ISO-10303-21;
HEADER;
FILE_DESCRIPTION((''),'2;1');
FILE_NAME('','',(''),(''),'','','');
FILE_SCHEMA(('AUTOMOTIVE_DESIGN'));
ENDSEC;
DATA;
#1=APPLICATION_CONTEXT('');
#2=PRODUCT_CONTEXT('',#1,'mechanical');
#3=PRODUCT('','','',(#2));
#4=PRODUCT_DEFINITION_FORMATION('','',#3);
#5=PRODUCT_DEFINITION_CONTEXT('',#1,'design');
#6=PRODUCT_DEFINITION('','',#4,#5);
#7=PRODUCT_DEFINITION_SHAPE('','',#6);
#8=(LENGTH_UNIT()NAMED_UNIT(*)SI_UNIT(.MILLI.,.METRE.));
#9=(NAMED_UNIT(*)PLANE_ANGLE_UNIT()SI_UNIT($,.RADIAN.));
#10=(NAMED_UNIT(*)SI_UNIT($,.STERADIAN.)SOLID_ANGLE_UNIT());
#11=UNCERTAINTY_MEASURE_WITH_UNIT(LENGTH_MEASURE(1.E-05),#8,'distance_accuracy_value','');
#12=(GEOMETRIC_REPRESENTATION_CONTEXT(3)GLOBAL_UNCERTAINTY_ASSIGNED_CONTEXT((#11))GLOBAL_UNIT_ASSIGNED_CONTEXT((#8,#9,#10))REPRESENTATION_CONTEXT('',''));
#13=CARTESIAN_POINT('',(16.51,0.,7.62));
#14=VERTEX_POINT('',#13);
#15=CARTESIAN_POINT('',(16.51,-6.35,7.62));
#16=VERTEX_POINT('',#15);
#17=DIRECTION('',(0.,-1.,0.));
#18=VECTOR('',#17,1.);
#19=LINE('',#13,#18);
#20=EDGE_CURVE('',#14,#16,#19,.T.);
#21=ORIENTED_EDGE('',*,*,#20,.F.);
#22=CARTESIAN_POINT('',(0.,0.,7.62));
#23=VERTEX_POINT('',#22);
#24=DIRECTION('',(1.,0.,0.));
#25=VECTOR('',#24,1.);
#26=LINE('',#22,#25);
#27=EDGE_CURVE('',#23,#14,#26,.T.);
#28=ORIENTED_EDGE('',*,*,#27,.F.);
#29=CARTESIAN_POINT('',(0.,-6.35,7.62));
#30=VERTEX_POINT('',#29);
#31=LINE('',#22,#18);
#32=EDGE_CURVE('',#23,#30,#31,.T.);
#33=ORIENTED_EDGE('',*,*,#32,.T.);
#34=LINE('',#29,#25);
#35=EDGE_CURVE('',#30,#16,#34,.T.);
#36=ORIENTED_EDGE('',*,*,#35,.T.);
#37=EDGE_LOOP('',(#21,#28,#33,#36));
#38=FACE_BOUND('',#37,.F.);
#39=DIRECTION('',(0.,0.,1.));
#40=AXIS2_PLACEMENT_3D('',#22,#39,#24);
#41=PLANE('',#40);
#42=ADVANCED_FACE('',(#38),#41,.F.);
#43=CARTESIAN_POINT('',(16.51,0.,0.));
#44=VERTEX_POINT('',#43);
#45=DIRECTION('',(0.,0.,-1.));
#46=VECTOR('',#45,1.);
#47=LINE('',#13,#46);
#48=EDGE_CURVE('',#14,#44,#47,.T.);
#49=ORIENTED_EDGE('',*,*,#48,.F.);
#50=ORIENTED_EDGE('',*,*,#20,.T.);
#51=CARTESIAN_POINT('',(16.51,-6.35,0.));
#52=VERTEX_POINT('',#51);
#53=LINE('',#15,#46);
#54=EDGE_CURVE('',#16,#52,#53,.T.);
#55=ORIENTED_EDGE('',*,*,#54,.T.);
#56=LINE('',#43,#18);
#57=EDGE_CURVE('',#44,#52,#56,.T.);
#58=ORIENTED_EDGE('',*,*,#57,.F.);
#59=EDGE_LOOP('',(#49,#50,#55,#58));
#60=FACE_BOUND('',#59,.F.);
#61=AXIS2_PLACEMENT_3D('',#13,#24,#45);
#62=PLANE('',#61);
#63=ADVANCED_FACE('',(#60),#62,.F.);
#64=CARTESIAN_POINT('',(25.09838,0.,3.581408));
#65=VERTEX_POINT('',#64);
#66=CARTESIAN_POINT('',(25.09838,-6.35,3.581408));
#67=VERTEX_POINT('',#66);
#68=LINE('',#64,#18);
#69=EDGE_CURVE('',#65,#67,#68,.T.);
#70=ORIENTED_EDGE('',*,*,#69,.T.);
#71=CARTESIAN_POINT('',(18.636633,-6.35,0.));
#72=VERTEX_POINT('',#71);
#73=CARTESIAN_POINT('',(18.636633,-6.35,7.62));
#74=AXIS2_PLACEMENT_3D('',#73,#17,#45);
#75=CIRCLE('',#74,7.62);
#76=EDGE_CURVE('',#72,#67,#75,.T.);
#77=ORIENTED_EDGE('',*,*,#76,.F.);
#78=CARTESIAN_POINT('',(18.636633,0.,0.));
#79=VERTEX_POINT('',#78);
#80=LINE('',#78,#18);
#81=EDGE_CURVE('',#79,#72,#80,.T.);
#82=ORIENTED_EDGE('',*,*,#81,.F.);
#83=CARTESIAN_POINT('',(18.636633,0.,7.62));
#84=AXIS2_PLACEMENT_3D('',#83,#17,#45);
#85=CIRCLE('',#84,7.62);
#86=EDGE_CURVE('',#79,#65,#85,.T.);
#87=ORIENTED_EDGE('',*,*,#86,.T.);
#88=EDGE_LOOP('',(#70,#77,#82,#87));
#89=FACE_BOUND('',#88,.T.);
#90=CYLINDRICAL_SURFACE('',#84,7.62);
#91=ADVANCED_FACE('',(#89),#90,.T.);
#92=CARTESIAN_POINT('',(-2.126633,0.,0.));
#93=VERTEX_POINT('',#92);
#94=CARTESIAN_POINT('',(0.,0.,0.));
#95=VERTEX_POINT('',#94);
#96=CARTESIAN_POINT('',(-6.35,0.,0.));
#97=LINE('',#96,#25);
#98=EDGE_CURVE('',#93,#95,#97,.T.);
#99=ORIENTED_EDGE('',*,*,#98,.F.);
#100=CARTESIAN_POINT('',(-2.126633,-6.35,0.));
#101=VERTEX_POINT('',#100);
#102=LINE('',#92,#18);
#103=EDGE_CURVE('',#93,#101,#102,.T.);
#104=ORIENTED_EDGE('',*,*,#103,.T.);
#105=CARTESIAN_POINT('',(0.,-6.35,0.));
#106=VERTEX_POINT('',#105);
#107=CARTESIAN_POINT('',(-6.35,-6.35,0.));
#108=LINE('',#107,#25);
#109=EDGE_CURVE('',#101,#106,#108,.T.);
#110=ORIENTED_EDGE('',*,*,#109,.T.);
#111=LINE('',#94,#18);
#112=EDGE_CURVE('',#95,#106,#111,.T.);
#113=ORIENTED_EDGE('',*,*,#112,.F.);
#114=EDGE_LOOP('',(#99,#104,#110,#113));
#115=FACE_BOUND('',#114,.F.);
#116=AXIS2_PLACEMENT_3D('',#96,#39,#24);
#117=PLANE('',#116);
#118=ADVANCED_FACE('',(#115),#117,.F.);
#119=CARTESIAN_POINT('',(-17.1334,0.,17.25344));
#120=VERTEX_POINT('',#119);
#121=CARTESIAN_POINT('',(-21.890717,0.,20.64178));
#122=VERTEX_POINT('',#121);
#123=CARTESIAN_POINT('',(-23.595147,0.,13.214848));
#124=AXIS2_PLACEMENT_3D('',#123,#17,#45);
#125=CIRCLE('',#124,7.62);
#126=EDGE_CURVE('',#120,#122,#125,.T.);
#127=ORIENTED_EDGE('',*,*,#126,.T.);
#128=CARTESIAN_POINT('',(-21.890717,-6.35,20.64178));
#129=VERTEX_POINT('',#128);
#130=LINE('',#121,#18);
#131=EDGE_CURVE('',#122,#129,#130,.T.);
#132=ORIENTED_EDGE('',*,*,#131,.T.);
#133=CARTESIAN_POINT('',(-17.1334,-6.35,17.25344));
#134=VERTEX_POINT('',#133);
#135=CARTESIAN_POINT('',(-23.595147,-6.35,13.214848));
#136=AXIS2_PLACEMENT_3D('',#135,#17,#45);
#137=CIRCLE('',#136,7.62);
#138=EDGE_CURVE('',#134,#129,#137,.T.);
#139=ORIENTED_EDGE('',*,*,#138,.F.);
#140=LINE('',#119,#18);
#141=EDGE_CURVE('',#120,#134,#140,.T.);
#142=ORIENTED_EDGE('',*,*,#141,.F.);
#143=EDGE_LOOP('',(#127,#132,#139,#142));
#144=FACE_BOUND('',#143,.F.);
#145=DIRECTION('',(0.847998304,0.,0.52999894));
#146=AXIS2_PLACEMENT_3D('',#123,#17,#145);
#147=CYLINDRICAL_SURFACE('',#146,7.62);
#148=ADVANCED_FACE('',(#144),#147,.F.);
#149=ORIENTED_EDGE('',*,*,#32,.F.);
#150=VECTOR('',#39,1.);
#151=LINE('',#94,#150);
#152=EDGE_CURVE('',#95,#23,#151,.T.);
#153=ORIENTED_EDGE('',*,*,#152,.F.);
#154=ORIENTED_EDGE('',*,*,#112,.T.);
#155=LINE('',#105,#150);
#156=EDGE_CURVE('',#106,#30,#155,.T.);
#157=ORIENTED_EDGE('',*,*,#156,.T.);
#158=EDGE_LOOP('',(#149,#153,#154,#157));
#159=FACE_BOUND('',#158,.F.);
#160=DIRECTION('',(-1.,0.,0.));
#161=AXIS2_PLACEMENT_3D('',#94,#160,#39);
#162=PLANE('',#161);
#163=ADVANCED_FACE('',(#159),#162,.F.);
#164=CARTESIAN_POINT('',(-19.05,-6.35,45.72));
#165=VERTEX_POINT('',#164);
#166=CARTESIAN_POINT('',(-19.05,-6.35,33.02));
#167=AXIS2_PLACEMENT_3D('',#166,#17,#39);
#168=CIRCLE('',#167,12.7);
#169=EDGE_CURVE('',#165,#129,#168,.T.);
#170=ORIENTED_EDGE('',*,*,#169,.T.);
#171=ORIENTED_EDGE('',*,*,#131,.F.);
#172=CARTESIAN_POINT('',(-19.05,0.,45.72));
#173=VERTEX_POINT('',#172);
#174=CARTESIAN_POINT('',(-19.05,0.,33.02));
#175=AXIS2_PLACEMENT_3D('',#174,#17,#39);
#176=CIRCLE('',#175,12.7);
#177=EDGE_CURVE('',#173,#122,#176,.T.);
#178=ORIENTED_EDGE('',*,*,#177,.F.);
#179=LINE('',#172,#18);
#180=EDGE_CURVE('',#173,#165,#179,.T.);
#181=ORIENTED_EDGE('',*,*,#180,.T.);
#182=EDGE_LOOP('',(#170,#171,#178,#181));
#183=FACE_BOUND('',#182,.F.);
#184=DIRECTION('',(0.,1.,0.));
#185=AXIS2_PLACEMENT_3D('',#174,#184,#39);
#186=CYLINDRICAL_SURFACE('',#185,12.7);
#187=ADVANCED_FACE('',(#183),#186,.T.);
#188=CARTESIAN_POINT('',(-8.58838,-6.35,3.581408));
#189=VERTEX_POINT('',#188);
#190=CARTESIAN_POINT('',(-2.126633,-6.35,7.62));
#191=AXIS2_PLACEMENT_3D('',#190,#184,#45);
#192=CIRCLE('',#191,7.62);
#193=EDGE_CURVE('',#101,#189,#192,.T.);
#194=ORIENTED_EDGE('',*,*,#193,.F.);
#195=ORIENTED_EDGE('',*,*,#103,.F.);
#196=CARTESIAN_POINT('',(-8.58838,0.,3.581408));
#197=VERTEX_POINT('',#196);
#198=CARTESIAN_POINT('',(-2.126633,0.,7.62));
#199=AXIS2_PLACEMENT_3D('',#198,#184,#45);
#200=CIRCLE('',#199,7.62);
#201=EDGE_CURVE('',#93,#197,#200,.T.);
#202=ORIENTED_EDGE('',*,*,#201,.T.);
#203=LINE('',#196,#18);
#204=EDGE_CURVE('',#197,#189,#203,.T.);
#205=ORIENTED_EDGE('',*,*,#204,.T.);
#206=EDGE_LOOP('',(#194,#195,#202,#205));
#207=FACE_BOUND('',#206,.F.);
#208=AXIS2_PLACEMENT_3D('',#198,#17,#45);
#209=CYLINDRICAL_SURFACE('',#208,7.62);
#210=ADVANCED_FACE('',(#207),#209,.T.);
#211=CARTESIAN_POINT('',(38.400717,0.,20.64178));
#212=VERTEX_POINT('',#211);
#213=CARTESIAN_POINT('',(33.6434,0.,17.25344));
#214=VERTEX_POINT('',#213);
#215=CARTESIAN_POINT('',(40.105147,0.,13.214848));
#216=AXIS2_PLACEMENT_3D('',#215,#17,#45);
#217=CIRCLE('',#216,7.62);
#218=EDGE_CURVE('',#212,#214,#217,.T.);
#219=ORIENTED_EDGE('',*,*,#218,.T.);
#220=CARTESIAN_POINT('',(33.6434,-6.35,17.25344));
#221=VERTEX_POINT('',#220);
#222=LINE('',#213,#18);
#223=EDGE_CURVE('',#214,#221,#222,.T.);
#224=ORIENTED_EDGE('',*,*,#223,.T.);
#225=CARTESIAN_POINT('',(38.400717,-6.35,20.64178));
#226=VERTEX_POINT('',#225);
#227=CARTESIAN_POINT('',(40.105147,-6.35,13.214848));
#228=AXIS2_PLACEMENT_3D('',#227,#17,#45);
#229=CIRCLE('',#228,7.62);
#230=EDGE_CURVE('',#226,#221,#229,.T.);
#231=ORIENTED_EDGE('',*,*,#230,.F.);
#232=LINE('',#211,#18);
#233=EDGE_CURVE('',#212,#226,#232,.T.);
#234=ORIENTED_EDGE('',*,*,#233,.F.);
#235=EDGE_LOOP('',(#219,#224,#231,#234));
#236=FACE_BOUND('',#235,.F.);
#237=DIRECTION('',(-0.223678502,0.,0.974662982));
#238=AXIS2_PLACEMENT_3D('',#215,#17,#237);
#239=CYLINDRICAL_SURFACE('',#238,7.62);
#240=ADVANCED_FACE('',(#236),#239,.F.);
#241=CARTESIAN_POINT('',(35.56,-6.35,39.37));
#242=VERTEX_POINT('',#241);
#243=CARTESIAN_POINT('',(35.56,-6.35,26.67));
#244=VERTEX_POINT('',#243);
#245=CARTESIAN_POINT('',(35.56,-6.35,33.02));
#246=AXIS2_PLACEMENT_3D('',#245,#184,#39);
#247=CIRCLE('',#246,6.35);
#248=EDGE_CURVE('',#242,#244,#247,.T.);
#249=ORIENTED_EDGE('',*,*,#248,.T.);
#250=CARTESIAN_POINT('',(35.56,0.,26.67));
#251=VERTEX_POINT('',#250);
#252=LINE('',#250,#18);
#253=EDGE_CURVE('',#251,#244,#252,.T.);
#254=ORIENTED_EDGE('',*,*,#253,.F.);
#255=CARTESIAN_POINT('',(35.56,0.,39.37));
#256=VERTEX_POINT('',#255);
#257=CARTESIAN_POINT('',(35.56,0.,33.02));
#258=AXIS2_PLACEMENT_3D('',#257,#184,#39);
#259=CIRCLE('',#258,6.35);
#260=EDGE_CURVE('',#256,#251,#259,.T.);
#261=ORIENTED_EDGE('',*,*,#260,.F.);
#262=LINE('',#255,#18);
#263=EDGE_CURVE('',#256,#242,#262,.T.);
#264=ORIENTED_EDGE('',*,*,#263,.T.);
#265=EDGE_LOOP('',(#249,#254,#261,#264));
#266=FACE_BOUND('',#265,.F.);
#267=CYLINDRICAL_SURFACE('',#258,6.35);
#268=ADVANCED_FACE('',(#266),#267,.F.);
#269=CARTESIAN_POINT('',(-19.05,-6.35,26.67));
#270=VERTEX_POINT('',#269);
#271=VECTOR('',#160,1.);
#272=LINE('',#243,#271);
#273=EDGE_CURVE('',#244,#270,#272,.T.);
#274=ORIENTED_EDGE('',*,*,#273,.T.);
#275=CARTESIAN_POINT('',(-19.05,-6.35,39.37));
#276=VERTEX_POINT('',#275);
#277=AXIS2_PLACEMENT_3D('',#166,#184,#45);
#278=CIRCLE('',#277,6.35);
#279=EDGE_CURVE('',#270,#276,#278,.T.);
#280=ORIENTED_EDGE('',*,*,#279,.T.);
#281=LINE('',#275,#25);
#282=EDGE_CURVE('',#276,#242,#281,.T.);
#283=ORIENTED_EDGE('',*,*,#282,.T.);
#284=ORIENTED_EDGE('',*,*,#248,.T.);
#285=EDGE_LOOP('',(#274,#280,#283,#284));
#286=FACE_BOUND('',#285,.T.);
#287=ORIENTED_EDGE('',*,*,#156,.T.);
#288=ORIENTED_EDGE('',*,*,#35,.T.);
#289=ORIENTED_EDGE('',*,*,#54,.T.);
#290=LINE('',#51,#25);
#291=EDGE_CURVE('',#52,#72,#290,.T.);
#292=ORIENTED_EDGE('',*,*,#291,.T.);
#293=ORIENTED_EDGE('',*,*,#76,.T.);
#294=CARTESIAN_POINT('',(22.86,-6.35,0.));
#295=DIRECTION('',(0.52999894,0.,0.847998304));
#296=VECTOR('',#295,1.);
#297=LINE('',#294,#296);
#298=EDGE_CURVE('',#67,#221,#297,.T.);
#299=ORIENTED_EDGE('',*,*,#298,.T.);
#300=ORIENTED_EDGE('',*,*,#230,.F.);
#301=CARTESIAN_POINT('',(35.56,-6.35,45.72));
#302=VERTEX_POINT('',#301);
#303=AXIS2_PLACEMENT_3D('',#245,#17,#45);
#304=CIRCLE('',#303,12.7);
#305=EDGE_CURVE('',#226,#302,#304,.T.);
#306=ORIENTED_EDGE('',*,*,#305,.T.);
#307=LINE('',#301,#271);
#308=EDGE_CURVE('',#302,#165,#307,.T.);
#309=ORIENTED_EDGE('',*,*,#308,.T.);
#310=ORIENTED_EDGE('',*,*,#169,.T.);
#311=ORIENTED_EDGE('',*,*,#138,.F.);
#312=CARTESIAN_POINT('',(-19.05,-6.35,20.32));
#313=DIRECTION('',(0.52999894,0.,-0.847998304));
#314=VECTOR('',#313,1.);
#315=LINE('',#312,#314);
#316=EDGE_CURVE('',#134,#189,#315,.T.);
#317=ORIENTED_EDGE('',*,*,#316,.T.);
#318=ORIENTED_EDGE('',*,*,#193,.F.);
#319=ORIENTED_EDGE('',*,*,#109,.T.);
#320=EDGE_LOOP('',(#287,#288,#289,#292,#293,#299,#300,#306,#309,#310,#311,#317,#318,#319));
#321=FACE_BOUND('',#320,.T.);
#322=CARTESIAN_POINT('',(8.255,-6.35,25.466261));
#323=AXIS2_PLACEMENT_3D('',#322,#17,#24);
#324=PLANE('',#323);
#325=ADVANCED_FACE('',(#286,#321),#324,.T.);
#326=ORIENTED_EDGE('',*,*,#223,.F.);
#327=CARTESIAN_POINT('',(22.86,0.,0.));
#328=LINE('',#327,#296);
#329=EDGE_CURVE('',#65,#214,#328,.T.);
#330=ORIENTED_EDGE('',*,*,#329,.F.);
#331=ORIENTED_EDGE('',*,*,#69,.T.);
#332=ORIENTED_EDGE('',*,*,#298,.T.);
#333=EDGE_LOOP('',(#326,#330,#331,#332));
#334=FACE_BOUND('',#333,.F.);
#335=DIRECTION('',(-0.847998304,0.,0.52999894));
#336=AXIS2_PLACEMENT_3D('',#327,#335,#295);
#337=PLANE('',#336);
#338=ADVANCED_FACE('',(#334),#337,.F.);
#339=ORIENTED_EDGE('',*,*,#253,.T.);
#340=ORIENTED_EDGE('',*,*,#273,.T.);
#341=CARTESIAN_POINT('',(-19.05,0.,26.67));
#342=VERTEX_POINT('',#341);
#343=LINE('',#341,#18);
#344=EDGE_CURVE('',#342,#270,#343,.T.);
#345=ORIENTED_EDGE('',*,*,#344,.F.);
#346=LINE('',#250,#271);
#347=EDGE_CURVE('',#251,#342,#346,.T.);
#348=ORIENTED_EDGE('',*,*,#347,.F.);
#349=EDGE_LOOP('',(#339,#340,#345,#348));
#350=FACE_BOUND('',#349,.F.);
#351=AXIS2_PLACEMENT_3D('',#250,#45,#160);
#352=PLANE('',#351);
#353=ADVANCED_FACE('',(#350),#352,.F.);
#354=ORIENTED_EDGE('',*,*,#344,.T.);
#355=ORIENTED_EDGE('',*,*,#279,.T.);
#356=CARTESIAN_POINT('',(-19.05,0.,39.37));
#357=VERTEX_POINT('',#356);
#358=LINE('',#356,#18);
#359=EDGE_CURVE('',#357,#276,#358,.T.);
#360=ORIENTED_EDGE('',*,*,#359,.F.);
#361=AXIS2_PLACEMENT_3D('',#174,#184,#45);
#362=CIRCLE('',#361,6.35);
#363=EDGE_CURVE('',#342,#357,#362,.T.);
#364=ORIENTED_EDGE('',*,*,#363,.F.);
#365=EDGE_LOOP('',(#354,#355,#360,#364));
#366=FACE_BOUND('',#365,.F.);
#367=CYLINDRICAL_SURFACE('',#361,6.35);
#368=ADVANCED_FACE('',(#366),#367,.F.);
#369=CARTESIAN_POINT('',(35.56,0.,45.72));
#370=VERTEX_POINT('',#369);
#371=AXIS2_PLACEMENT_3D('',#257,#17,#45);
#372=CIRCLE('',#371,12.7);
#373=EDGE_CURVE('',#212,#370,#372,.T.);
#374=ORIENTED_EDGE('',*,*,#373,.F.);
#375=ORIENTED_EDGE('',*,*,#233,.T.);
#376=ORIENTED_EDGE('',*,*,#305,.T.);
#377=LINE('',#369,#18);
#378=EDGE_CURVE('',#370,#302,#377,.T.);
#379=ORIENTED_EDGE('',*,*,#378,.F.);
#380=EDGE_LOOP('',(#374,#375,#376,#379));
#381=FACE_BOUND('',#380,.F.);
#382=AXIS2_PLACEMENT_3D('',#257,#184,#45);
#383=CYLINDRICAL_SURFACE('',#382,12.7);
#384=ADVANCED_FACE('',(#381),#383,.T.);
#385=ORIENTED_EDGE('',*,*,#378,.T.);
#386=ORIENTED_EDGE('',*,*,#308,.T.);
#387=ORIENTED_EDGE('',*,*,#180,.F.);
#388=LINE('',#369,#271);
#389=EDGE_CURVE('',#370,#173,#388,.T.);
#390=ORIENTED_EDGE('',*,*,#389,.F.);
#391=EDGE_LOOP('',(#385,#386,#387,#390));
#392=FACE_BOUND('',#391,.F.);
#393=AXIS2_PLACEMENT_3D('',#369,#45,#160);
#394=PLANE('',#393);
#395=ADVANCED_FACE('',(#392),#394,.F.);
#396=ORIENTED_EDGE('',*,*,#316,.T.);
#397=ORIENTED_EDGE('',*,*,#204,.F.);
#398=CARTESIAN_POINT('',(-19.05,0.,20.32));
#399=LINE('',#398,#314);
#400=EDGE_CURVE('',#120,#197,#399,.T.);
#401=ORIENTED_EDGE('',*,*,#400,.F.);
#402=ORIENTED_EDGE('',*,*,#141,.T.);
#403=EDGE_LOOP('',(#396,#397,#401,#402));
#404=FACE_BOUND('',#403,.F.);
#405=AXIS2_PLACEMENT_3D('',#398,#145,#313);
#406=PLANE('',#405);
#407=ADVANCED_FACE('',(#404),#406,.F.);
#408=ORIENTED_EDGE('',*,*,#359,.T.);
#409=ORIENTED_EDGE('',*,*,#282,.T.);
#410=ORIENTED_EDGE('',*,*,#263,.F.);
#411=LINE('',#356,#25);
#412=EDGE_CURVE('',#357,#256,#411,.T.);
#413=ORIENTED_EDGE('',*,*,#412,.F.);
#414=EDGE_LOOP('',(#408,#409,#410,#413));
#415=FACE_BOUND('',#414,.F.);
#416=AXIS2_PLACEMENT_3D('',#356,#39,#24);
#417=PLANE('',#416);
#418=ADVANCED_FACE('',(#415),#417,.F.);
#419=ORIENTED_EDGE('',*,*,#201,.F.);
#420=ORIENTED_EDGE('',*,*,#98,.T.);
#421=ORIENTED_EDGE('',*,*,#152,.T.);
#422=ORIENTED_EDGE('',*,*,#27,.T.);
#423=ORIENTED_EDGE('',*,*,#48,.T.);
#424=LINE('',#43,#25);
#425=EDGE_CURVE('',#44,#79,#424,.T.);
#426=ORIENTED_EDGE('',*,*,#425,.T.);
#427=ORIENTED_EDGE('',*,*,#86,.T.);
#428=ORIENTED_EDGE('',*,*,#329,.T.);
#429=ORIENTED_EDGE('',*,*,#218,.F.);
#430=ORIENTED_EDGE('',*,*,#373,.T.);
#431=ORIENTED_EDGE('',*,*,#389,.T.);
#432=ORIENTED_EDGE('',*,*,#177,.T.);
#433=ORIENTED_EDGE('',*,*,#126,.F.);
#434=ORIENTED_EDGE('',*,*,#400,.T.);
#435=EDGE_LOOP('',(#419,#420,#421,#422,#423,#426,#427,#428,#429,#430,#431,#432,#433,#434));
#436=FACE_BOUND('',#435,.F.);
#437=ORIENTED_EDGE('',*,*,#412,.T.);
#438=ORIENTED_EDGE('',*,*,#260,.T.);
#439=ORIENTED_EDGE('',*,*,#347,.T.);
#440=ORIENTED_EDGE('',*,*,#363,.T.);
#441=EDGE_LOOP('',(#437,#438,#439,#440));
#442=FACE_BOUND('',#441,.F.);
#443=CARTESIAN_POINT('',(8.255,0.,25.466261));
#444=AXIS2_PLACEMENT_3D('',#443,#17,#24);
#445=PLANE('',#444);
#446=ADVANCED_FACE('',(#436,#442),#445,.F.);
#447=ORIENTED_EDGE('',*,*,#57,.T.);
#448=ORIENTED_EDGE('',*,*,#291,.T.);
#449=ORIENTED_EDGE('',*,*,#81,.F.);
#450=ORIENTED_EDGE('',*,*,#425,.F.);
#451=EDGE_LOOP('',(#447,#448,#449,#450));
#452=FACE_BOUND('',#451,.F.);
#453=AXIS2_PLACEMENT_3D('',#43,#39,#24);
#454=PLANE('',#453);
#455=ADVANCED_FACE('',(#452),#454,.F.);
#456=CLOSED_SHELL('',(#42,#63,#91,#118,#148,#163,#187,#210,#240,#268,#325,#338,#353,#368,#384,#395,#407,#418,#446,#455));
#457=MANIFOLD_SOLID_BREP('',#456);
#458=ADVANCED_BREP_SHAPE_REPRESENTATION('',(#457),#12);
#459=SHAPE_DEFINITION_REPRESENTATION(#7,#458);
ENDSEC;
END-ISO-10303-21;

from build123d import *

# Parameters (mm, degrees)
F1_DEPTH = 6.35
F2_R     = 7.62


with BuildPart() as f1:
    # F0 (on Front) → F1 (new body)
    with BuildSketch(Plane.XZ):
        with BuildLine():
            Line((-6.35, 0), (0, 0))
            Line((0, 0), (0, 7.62))
            Line((0, 7.62), (16.51, 7.62))
            Line((16.51, 7.62), (16.51, 0))
            Line((16.51, 0), (22.86, 0))
            Line((22.86, 0), (35.56, 20.32))
            ThreePointArc((35.56, 20.32), (48.26, 33.02), (35.56, 45.72))
            Line((35.56, 45.72), (-19.05, 45.72))
            ThreePointArc((-19.05, 45.72), (-31.75, 33.02), (-19.05, 20.32))
            Line((-19.05, 20.32), (-6.35, 0))
        make_face()
        with BuildLine():
            Line((35.56, 26.67), (-19.05, 26.67))
            ThreePointArc((-19.05, 26.67), (-25.4, 33.02), (-19.05, 39.37))
            Line((-19.05, 39.37), (35.56, 39.37))
            ThreePointArc((35.56, 39.37), (41.91, 33.02), (35.56, 26.67))
        make_face(mode=Mode.SUBTRACT)
    extrude(amount=F1_DEPTH)

    # F2
    f2_edges = [f1.edges().sort_by_distance(p)[0] for p in [
        (22.86, -3.175, 0),
        (-6.35, -3.175, 0),
        (35.56, -3.175, 20.32),
        (-19.05, -3.175, 20.32),
    ]]
    fillet(f2_edges, radius=F2_R)


solid = f1.part
